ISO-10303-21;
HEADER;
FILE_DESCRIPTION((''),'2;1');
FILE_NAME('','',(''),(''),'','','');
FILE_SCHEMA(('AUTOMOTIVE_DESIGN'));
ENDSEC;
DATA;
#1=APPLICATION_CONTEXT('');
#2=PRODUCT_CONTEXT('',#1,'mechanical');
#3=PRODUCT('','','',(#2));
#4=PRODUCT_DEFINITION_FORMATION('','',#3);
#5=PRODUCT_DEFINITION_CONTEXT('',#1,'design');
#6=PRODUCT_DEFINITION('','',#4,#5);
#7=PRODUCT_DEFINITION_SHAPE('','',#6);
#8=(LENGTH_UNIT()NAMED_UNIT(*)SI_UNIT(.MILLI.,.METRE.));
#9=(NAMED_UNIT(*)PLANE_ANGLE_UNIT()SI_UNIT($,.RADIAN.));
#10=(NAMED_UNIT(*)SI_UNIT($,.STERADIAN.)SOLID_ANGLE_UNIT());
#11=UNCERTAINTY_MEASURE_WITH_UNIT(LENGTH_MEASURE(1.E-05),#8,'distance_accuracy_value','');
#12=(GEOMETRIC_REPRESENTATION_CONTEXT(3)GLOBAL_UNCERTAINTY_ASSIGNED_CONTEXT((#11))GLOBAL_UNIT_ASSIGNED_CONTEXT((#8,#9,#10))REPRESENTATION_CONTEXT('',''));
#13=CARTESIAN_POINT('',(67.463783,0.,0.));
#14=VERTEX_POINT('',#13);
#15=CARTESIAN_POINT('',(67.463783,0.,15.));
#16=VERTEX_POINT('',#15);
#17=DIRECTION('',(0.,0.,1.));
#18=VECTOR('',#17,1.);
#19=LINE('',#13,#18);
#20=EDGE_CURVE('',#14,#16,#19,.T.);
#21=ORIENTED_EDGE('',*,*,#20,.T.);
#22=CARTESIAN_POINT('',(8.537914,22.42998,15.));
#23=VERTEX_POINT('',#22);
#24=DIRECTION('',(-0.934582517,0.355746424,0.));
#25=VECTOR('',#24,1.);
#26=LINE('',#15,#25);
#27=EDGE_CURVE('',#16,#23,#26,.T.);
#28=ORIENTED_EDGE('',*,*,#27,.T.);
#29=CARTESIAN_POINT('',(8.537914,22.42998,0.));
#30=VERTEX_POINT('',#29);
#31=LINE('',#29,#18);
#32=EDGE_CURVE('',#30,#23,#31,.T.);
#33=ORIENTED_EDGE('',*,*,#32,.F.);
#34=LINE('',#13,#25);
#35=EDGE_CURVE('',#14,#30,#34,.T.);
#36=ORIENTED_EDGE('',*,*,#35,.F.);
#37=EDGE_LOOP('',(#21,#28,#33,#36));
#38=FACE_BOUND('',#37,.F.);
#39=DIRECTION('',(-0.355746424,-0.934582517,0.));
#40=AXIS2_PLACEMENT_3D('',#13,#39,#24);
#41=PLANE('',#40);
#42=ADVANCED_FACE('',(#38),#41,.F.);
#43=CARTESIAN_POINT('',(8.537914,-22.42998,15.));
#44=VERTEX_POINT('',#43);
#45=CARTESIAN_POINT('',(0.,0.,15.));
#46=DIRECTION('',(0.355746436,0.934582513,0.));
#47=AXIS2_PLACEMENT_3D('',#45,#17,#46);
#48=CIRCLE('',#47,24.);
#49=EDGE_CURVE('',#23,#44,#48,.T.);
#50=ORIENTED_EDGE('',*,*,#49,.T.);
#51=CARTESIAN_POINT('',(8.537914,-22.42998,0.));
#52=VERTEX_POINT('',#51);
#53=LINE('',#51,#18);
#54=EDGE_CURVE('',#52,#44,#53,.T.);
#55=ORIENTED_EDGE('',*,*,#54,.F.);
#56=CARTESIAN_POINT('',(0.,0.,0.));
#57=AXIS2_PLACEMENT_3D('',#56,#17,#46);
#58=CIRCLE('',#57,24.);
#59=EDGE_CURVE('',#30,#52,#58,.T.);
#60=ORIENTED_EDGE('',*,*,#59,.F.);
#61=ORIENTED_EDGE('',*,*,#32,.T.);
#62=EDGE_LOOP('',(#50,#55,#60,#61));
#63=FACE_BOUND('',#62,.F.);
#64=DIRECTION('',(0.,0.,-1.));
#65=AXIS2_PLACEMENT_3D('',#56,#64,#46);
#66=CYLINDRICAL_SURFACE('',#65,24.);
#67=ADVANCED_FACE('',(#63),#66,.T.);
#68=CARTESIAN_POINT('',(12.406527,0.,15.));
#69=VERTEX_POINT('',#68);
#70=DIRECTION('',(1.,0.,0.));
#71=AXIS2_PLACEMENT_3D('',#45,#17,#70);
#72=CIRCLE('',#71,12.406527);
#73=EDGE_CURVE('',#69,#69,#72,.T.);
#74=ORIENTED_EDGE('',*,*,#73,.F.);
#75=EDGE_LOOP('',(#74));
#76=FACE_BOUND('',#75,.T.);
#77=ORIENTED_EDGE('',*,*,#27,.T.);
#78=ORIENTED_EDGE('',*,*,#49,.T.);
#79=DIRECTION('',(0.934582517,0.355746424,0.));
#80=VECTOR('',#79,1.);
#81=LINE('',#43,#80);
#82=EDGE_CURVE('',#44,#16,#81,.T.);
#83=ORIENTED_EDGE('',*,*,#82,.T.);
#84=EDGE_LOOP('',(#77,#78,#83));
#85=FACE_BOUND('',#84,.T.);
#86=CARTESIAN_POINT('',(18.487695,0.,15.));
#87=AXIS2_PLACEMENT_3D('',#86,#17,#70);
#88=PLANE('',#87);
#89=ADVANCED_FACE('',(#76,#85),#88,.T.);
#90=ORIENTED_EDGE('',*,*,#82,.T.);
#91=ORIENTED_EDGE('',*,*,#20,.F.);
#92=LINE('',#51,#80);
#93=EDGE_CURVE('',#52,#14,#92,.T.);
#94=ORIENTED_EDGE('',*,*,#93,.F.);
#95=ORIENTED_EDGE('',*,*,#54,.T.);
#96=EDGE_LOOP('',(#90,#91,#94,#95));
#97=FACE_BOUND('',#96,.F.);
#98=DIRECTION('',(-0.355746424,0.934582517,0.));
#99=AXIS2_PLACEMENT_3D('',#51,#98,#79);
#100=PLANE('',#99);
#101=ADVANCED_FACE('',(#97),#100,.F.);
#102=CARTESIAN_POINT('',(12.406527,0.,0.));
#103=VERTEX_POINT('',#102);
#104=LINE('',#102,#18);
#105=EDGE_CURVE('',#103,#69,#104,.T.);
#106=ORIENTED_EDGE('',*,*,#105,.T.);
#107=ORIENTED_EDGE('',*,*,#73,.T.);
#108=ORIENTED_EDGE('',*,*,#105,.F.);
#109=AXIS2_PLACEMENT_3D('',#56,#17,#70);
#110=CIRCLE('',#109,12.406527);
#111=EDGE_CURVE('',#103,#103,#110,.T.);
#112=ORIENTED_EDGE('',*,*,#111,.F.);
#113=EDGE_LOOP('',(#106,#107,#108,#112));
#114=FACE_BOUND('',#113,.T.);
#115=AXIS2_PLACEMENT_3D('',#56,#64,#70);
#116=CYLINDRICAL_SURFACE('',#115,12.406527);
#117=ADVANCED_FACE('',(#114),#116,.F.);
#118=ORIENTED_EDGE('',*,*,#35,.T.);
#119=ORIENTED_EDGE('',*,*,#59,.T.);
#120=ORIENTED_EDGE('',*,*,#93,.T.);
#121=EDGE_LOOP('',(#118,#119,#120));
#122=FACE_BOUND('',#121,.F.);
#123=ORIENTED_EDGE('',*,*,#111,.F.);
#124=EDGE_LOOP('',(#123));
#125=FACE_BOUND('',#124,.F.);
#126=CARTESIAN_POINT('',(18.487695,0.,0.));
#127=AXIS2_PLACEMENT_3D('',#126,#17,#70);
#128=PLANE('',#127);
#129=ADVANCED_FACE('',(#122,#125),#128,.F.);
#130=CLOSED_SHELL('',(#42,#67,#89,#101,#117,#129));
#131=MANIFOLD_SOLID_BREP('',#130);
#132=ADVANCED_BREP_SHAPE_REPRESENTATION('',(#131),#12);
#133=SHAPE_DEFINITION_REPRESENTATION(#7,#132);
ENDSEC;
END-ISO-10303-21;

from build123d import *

# Parameters (mm, degrees)
F0_R     = 12.406527
F1_DEPTH = 15


with BuildPart() as f1:
    # F0 (on Top) → F1 (new body)
    with BuildSketch(Plane.XY):
        with BuildLine():
            Line((67.463783, 0), (8.537914, 22.42998))
            ThreePointArc((8.537914, 22.42998), (-24, 0), (8.537914, -22.42998))
            Line((8.537914, -22.42998), (67.463783, 0))
        make_face()
        Circle(F0_R, mode=Mode.SUBTRACT)
    extrude(amount=F1_DEPTH)


solid = f1.part
